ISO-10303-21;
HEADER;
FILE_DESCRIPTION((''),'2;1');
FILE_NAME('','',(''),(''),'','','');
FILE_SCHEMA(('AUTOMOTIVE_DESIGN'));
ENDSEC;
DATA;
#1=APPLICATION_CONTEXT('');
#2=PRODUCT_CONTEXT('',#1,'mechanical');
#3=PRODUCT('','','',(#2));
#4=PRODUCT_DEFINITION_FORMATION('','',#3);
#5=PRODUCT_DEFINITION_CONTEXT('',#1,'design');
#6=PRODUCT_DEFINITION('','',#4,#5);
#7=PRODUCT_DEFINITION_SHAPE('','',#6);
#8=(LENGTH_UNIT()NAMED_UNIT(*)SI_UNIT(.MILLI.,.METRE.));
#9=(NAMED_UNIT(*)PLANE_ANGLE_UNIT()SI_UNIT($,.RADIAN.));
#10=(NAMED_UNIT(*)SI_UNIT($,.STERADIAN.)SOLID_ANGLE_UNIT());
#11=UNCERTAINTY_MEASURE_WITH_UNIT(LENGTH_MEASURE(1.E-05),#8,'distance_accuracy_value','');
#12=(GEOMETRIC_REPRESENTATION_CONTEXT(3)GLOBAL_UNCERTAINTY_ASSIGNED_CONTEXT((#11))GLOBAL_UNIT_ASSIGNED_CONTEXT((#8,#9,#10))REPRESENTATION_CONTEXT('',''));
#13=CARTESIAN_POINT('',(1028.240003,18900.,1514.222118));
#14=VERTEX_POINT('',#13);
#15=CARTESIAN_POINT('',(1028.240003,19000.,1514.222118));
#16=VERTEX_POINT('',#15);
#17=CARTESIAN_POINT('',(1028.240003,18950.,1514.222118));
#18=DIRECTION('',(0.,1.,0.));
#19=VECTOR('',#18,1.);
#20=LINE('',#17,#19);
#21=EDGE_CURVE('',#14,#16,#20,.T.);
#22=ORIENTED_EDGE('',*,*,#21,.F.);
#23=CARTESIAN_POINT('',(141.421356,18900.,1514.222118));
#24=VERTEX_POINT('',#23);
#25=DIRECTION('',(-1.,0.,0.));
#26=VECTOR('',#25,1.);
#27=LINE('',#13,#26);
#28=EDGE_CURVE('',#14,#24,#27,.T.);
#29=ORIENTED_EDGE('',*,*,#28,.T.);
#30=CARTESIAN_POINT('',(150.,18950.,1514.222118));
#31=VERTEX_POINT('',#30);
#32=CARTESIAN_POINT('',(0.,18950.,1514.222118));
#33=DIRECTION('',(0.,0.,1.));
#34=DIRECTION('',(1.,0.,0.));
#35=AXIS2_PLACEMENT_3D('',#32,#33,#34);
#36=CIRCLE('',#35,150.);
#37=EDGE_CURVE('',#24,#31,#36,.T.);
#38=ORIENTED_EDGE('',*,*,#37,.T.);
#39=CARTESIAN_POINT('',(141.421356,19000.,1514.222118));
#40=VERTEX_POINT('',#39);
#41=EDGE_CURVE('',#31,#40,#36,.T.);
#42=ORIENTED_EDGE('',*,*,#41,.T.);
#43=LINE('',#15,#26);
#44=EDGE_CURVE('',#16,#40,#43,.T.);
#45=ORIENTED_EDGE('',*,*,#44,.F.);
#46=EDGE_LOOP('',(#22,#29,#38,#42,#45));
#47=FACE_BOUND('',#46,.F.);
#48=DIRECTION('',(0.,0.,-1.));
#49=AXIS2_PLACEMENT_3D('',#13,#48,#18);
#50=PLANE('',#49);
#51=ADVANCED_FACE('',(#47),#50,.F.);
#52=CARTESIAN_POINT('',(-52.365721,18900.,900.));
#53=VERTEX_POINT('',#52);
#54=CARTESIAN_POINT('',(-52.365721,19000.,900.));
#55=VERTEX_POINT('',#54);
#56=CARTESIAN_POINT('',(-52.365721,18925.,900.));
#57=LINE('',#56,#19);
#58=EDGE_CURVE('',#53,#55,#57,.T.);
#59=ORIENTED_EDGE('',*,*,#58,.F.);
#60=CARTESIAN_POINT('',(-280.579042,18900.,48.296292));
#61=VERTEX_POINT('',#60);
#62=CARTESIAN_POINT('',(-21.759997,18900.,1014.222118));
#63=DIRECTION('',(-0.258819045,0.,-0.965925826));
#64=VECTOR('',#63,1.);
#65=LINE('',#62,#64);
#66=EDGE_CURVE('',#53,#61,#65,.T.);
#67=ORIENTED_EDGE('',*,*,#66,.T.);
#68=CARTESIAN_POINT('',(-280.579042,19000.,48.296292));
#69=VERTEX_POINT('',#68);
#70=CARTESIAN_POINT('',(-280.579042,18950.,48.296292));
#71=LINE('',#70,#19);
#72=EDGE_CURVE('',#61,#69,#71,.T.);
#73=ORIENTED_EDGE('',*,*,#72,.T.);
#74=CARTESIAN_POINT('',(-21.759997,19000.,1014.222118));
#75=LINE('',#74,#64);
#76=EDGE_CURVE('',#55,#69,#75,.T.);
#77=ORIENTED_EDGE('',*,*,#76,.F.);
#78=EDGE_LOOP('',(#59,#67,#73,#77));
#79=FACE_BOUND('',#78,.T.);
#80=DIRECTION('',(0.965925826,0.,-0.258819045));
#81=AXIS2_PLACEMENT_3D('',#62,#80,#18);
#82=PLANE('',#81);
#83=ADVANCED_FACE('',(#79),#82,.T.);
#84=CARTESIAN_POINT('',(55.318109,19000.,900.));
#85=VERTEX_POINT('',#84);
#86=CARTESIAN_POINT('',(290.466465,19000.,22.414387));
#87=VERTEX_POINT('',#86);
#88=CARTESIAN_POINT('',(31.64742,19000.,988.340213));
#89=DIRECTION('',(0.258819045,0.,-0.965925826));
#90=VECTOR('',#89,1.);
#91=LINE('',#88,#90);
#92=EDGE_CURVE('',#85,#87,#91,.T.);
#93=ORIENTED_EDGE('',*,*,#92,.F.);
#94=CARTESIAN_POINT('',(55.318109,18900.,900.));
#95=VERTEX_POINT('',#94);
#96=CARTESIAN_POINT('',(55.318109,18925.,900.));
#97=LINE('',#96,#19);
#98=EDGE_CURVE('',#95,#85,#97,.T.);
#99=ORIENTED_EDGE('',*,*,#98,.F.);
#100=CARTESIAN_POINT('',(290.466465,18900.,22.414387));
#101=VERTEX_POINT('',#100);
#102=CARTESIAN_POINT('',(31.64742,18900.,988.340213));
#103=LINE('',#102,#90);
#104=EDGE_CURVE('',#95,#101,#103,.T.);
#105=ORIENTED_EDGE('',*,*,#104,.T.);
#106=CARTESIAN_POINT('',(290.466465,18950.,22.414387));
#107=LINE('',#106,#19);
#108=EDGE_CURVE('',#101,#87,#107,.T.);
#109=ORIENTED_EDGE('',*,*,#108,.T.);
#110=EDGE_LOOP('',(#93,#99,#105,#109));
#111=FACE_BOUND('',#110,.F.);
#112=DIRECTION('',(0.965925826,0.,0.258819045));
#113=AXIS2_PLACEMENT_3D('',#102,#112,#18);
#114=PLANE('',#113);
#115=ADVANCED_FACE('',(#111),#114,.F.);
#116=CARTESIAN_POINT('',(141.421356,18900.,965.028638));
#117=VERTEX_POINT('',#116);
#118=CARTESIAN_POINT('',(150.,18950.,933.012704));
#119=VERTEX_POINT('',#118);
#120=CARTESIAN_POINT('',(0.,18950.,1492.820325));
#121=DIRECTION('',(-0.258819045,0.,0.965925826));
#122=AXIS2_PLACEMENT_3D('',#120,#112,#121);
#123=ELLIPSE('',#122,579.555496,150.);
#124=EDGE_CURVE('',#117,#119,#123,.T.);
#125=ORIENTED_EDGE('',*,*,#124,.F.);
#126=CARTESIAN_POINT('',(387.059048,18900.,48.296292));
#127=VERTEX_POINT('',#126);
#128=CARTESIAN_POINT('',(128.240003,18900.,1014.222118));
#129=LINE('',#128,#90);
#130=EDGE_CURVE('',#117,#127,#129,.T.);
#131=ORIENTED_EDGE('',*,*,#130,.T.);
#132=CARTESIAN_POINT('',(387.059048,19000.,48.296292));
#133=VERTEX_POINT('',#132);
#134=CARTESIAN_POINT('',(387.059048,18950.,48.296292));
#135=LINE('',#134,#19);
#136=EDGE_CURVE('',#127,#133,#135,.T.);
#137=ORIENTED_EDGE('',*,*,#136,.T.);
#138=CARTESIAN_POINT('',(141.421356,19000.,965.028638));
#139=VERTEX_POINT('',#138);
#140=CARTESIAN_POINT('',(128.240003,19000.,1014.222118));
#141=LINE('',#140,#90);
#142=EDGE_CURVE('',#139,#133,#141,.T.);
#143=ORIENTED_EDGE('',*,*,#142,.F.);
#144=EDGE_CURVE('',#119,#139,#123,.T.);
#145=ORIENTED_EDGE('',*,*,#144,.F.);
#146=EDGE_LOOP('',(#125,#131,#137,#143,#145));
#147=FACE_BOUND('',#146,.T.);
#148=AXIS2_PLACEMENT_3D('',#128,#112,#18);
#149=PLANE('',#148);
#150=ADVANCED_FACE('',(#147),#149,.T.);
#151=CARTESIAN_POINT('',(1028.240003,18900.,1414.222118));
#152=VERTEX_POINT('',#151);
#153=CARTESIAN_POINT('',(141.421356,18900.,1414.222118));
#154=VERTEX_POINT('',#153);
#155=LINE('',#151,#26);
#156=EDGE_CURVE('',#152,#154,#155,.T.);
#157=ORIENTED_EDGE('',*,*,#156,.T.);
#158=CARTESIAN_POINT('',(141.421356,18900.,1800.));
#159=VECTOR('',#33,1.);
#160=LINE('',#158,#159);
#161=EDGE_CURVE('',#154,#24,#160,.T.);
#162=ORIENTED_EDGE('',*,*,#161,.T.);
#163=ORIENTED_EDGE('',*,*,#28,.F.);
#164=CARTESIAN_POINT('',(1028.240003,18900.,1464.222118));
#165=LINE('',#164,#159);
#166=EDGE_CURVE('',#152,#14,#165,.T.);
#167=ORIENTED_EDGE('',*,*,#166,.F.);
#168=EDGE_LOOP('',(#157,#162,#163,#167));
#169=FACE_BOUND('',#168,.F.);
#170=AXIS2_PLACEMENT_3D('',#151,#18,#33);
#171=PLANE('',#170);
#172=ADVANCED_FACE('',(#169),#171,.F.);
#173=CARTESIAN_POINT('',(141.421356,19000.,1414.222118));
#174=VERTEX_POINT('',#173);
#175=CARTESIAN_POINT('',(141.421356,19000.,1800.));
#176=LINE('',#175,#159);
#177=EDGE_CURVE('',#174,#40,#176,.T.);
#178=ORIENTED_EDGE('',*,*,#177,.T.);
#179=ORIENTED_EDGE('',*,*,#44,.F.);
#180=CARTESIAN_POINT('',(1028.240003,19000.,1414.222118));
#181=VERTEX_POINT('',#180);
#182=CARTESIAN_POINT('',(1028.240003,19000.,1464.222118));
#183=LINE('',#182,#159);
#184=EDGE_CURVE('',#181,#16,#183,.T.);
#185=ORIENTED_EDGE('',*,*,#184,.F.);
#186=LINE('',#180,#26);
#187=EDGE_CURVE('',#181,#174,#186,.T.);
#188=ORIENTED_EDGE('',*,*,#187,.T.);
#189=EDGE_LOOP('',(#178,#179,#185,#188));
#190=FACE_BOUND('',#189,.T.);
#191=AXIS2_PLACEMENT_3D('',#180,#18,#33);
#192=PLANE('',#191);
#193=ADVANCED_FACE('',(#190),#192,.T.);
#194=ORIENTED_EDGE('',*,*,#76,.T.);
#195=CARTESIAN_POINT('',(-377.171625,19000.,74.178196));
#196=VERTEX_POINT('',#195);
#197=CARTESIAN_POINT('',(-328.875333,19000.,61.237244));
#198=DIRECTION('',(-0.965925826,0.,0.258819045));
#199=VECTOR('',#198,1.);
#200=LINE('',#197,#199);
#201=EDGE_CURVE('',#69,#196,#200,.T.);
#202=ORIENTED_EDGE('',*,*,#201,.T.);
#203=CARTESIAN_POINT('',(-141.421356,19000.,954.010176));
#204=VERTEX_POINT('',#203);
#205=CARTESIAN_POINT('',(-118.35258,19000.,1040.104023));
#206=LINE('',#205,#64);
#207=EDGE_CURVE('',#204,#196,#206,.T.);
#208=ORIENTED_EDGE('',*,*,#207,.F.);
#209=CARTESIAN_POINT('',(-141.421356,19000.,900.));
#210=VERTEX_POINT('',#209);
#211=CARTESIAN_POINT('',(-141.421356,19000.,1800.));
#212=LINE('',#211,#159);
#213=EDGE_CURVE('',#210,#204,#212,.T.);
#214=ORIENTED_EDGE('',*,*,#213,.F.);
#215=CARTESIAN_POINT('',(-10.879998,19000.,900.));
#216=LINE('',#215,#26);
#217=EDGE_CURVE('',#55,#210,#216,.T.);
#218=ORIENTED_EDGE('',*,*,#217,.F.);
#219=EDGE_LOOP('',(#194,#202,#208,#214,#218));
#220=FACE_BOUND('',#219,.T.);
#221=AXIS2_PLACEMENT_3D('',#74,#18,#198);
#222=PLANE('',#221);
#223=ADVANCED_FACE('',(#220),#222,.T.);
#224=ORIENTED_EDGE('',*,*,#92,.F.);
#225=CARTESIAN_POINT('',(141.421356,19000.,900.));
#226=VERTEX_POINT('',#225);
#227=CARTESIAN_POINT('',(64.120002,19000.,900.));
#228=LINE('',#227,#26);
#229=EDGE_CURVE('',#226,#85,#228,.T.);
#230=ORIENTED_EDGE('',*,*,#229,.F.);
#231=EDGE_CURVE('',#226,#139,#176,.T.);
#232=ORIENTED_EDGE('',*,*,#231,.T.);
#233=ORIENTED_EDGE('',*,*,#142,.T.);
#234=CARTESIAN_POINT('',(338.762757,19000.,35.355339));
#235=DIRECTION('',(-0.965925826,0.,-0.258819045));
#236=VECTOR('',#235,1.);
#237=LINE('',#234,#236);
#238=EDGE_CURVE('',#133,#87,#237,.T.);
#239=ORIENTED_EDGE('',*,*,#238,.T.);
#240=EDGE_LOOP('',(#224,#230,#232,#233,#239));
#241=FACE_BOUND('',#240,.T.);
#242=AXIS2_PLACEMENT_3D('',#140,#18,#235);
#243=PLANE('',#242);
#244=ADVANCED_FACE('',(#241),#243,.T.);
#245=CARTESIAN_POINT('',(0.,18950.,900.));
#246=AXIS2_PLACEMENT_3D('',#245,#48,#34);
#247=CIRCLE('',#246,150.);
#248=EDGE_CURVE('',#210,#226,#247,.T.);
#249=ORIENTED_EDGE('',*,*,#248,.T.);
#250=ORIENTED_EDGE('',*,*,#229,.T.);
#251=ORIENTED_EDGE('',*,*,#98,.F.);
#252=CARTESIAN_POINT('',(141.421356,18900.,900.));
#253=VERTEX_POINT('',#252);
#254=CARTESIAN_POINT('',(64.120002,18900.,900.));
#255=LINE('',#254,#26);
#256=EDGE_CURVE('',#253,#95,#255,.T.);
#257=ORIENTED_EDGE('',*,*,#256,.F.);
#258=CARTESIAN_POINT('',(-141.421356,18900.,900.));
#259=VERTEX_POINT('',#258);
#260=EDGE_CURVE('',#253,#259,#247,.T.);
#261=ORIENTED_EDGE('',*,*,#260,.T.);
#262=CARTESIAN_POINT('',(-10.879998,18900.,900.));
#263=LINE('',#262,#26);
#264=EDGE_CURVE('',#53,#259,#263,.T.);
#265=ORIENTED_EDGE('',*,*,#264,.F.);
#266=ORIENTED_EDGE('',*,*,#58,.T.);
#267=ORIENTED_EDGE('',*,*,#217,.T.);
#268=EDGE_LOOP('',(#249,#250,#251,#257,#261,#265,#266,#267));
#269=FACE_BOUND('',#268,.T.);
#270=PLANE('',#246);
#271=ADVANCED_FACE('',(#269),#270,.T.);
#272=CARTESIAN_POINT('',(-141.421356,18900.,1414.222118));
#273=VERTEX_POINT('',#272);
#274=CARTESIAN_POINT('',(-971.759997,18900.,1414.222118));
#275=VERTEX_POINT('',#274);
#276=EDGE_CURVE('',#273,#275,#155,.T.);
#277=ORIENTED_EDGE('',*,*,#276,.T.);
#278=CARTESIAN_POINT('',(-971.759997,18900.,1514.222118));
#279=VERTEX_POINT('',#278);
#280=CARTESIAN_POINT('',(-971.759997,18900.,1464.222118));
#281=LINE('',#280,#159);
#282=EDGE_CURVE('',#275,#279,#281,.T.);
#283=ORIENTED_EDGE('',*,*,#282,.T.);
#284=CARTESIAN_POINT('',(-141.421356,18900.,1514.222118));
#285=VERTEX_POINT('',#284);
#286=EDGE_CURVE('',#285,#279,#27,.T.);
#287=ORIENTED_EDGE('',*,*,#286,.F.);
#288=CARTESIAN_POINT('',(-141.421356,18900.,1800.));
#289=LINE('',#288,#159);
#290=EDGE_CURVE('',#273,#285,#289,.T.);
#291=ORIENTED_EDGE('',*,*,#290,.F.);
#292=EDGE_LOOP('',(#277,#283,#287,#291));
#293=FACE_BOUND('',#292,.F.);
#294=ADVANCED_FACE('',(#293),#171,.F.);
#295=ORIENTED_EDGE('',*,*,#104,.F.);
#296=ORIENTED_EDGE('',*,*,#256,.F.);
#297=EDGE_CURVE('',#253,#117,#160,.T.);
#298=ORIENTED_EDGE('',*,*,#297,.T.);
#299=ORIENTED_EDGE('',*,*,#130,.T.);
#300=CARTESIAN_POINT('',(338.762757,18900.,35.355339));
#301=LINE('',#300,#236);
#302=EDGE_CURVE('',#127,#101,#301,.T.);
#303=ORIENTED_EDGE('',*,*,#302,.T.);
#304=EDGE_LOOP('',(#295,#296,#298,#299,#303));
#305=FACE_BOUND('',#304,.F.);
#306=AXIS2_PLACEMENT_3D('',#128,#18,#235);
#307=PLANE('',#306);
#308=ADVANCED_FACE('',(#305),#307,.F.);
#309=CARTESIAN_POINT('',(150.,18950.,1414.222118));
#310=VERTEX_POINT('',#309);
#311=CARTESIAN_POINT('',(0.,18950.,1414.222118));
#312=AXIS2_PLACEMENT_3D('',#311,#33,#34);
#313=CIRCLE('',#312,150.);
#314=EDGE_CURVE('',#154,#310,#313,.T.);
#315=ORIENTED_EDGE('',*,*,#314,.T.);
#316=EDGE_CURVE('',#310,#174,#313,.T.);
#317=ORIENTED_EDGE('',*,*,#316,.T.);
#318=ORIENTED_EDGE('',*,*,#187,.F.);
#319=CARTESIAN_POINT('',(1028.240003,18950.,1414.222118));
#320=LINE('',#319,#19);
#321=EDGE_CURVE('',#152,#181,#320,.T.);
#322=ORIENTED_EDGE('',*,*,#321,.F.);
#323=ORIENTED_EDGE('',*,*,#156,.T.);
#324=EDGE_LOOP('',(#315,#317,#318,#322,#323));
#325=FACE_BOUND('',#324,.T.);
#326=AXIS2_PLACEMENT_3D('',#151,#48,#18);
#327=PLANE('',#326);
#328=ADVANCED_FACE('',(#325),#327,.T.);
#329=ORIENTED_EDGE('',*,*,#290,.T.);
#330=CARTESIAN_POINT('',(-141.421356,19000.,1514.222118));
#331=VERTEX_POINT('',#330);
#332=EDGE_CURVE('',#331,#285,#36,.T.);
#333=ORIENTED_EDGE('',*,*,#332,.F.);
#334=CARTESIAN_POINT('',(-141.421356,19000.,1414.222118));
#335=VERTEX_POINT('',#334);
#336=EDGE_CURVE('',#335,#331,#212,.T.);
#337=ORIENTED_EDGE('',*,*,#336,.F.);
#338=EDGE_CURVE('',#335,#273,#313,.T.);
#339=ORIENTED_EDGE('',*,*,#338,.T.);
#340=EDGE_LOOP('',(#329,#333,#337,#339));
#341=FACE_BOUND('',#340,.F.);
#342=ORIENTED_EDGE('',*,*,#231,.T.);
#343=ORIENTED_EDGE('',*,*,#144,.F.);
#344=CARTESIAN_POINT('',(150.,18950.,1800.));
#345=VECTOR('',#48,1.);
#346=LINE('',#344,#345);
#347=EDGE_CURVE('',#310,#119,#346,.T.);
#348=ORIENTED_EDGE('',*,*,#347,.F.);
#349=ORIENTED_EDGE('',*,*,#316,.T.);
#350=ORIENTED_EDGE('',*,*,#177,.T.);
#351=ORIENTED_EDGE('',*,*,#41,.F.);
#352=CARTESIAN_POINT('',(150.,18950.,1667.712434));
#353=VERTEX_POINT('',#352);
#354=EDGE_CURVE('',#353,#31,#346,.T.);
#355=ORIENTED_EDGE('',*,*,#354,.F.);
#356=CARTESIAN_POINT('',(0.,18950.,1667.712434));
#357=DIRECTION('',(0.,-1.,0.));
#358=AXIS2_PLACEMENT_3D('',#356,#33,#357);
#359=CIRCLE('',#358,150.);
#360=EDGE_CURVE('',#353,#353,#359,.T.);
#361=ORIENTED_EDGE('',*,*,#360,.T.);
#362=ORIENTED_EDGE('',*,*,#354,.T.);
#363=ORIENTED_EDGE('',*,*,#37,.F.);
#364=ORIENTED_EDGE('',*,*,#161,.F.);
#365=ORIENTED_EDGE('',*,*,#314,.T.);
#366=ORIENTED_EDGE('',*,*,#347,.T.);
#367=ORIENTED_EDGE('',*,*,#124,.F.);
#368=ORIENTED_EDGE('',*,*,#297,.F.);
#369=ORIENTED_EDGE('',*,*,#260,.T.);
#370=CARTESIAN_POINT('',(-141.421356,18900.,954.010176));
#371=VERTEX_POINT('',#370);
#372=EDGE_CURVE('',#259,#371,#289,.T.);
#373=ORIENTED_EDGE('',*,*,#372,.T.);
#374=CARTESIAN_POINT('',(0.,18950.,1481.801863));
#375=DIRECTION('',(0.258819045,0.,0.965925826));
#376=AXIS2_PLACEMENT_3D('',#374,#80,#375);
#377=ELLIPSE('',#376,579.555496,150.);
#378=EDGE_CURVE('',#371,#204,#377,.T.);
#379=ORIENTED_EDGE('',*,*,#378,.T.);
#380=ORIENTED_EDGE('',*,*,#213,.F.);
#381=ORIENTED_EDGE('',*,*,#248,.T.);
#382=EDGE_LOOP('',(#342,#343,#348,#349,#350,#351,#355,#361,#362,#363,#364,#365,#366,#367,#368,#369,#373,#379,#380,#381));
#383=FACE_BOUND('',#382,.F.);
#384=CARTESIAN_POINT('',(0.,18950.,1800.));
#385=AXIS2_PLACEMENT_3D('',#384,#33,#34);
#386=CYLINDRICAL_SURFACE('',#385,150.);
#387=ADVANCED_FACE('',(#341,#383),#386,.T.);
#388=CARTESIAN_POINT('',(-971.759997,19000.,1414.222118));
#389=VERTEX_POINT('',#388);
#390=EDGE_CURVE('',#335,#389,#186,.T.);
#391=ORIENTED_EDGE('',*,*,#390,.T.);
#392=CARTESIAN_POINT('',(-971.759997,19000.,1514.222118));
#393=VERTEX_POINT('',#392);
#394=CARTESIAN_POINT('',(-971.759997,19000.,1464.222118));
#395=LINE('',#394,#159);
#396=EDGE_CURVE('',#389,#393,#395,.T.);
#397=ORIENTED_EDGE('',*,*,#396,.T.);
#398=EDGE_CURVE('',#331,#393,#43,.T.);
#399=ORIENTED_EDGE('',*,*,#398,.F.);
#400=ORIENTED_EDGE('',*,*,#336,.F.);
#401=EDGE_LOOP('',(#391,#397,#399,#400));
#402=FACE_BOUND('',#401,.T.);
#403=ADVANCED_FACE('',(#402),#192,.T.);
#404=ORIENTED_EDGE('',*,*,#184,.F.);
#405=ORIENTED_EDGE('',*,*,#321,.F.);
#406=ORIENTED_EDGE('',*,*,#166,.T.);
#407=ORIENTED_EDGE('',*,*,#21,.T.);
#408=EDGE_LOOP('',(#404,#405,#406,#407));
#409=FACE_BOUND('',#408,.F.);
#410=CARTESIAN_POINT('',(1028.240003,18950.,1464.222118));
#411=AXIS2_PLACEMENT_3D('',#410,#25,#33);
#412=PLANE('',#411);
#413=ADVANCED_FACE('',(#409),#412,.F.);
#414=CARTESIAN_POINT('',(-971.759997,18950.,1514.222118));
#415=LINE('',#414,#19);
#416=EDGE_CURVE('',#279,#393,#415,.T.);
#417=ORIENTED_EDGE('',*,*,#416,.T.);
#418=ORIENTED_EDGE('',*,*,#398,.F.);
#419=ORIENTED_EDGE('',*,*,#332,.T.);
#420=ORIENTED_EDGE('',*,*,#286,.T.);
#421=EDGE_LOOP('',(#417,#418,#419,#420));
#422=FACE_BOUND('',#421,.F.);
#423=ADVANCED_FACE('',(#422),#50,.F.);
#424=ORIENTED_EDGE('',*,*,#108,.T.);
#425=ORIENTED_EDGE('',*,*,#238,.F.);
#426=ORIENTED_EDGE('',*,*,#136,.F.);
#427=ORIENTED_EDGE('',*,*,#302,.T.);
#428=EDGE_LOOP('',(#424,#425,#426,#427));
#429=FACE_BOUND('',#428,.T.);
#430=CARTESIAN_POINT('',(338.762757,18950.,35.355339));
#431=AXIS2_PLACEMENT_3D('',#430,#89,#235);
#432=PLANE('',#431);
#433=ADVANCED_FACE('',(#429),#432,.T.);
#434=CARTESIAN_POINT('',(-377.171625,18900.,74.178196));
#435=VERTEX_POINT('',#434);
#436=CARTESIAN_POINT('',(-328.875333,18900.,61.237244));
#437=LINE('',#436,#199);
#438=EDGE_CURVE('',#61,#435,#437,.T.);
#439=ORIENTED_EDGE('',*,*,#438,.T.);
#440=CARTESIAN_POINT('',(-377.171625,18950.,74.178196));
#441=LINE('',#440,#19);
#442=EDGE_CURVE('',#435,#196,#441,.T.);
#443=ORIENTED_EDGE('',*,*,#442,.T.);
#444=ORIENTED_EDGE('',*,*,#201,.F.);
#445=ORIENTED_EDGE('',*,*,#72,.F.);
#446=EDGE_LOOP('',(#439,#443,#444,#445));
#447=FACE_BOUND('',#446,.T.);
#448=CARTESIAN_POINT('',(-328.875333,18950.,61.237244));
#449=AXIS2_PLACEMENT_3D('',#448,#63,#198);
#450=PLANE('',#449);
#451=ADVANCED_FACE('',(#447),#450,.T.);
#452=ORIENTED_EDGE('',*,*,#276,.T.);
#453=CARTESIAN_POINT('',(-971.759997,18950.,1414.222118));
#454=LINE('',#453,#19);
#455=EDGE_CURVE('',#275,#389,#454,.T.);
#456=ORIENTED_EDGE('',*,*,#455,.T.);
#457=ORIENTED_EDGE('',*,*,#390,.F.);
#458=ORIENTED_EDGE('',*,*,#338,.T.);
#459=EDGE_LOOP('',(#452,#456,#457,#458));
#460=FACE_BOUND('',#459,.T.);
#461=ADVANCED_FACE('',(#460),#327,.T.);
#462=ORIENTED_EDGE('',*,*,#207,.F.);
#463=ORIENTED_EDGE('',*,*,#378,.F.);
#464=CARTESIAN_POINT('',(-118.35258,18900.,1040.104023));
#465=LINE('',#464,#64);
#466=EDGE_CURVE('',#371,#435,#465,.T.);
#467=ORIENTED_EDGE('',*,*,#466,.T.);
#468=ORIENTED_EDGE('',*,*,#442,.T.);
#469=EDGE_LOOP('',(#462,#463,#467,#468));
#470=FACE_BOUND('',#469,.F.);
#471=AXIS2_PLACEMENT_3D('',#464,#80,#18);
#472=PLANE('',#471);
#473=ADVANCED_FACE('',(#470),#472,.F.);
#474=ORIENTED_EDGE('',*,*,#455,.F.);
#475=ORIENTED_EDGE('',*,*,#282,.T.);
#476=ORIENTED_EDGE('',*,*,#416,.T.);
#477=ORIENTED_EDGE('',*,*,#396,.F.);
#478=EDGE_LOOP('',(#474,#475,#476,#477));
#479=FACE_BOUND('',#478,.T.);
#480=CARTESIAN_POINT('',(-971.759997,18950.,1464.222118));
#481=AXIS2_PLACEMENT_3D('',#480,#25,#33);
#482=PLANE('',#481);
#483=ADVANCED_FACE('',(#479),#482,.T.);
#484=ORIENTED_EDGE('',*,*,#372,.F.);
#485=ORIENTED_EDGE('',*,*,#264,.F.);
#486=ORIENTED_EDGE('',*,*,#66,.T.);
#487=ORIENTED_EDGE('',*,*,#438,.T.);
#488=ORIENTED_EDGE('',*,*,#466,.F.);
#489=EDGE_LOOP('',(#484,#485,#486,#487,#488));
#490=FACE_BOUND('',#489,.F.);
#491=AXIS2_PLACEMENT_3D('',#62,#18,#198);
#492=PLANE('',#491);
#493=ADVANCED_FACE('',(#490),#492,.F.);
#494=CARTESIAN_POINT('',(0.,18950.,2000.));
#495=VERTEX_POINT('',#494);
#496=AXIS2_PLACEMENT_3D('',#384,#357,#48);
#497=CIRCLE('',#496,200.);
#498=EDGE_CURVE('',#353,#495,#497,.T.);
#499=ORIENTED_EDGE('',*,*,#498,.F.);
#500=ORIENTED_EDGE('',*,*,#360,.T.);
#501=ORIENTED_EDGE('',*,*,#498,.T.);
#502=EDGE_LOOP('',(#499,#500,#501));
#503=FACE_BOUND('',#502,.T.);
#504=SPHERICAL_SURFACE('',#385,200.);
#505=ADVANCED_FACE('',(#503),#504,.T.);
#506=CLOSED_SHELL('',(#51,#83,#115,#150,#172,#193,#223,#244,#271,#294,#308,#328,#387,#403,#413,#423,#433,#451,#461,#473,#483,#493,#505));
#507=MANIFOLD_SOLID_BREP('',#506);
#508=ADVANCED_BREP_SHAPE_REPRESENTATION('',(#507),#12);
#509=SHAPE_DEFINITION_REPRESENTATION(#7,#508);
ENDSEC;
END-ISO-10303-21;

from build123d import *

# Parameters (mm, degrees)
BOX002_W               = 100
BOX002_H               = 100
BOX002_DEPTH           = 1000
BOX002_PLACEMENT_ANGLE = 165
BOX001_W               = 100
BOX001_H               = 100
BOX001_DEPTH           = 1000
BOX001_PLACEMENT_ANGLE = 195
CYLINDER004_R          = 150
CYLINDER004_DEPTH      = 900
BOX003_W               = 100
BOX003_H               = 100
BOX003_DEPTH           = 2000


with BuildPart() as cube002:
    # Box002 → Box002 (new body)
    with BuildSketch(Plane.XY):
        with Locations((50, 50)):
            Rectangle(BOX002_W, BOX002_H)
    extrude(amount=BOX002_DEPTH)


with BuildPart() as cube002_1:
    # Box002 placement: moved
    add(cube002.part.moved(Location((-21.759997, -50, 1014.222118))).rotate(Axis((-21.759997, -50, 1014.222118), (0, -1, 0)), BOX002_PLACEMENT_ANGLE))


with BuildPart() as cube001:
    # Box001 → Box001 (new body)
    with BuildSketch(Plane.XY):
        with Locations((50, 50)):
            Rectangle(BOX001_W, BOX001_H)
    extrude(amount=BOX001_DEPTH)


with BuildPart() as cube001_1:
    # Box001 placement: moved
    add(cube001.part.moved(Location((128.240003, -50, 1014.222118))).rotate(Axis((128.240003, -50, 1014.222118), (0, -1, 0)), BOX001_PLACEMENT_ANGLE))


with BuildPart() as sphere003:
    # Sphere003 → Sphere003 (revolve)
    with BuildSketch(Plane(origin=(0, 0, 1800), x_dir=(1, 0, 0), z_dir=(0, -1, 0))):
        with BuildLine():
            ThreePointArc((0, -200), (200, 0), (0, 200))
            Line((0, 200), (0, -200))
        make_face()
    revolve(axis=Axis((0, 0, 1800), (0, 0, 1)))


with BuildPart() as cylinder004:
    # Cylinder004 → Cylinder004 (new body)
    with BuildSketch(Plane(origin=(0, 0, 1800), x_dir=(1, 0, 0), z_dir=(0, 0, -1))):
        Circle(CYLINDER004_R)
    extrude(amount=CYLINDER004_DEPTH)


with BuildPart() as fusion001:
    # Box003 → Box003 (new body)
    with BuildSketch(Plane(origin=(1028.240003, -50, 1414.222118), x_dir=(0, 0, 1), z_dir=(-1, 0, 0))):
        with Locations((50, 50)):
            Rectangle(BOX003_W, BOX003_H)
    extrude(amount=BOX003_DEPTH)

    # Fusion001: union Cube002, Cube001, Sphere003, Cylinder004
    add(cube002_1.part)
    add(cube001_1.part)
    add(sphere003.part)
    add(cylinder004.part)


with BuildPart() as fusion001_1:
    # Fusion001 placement: moved
    add(fusion001.part.moved(Location((0, 18950, 0))))


solid = fusion001_1.part
